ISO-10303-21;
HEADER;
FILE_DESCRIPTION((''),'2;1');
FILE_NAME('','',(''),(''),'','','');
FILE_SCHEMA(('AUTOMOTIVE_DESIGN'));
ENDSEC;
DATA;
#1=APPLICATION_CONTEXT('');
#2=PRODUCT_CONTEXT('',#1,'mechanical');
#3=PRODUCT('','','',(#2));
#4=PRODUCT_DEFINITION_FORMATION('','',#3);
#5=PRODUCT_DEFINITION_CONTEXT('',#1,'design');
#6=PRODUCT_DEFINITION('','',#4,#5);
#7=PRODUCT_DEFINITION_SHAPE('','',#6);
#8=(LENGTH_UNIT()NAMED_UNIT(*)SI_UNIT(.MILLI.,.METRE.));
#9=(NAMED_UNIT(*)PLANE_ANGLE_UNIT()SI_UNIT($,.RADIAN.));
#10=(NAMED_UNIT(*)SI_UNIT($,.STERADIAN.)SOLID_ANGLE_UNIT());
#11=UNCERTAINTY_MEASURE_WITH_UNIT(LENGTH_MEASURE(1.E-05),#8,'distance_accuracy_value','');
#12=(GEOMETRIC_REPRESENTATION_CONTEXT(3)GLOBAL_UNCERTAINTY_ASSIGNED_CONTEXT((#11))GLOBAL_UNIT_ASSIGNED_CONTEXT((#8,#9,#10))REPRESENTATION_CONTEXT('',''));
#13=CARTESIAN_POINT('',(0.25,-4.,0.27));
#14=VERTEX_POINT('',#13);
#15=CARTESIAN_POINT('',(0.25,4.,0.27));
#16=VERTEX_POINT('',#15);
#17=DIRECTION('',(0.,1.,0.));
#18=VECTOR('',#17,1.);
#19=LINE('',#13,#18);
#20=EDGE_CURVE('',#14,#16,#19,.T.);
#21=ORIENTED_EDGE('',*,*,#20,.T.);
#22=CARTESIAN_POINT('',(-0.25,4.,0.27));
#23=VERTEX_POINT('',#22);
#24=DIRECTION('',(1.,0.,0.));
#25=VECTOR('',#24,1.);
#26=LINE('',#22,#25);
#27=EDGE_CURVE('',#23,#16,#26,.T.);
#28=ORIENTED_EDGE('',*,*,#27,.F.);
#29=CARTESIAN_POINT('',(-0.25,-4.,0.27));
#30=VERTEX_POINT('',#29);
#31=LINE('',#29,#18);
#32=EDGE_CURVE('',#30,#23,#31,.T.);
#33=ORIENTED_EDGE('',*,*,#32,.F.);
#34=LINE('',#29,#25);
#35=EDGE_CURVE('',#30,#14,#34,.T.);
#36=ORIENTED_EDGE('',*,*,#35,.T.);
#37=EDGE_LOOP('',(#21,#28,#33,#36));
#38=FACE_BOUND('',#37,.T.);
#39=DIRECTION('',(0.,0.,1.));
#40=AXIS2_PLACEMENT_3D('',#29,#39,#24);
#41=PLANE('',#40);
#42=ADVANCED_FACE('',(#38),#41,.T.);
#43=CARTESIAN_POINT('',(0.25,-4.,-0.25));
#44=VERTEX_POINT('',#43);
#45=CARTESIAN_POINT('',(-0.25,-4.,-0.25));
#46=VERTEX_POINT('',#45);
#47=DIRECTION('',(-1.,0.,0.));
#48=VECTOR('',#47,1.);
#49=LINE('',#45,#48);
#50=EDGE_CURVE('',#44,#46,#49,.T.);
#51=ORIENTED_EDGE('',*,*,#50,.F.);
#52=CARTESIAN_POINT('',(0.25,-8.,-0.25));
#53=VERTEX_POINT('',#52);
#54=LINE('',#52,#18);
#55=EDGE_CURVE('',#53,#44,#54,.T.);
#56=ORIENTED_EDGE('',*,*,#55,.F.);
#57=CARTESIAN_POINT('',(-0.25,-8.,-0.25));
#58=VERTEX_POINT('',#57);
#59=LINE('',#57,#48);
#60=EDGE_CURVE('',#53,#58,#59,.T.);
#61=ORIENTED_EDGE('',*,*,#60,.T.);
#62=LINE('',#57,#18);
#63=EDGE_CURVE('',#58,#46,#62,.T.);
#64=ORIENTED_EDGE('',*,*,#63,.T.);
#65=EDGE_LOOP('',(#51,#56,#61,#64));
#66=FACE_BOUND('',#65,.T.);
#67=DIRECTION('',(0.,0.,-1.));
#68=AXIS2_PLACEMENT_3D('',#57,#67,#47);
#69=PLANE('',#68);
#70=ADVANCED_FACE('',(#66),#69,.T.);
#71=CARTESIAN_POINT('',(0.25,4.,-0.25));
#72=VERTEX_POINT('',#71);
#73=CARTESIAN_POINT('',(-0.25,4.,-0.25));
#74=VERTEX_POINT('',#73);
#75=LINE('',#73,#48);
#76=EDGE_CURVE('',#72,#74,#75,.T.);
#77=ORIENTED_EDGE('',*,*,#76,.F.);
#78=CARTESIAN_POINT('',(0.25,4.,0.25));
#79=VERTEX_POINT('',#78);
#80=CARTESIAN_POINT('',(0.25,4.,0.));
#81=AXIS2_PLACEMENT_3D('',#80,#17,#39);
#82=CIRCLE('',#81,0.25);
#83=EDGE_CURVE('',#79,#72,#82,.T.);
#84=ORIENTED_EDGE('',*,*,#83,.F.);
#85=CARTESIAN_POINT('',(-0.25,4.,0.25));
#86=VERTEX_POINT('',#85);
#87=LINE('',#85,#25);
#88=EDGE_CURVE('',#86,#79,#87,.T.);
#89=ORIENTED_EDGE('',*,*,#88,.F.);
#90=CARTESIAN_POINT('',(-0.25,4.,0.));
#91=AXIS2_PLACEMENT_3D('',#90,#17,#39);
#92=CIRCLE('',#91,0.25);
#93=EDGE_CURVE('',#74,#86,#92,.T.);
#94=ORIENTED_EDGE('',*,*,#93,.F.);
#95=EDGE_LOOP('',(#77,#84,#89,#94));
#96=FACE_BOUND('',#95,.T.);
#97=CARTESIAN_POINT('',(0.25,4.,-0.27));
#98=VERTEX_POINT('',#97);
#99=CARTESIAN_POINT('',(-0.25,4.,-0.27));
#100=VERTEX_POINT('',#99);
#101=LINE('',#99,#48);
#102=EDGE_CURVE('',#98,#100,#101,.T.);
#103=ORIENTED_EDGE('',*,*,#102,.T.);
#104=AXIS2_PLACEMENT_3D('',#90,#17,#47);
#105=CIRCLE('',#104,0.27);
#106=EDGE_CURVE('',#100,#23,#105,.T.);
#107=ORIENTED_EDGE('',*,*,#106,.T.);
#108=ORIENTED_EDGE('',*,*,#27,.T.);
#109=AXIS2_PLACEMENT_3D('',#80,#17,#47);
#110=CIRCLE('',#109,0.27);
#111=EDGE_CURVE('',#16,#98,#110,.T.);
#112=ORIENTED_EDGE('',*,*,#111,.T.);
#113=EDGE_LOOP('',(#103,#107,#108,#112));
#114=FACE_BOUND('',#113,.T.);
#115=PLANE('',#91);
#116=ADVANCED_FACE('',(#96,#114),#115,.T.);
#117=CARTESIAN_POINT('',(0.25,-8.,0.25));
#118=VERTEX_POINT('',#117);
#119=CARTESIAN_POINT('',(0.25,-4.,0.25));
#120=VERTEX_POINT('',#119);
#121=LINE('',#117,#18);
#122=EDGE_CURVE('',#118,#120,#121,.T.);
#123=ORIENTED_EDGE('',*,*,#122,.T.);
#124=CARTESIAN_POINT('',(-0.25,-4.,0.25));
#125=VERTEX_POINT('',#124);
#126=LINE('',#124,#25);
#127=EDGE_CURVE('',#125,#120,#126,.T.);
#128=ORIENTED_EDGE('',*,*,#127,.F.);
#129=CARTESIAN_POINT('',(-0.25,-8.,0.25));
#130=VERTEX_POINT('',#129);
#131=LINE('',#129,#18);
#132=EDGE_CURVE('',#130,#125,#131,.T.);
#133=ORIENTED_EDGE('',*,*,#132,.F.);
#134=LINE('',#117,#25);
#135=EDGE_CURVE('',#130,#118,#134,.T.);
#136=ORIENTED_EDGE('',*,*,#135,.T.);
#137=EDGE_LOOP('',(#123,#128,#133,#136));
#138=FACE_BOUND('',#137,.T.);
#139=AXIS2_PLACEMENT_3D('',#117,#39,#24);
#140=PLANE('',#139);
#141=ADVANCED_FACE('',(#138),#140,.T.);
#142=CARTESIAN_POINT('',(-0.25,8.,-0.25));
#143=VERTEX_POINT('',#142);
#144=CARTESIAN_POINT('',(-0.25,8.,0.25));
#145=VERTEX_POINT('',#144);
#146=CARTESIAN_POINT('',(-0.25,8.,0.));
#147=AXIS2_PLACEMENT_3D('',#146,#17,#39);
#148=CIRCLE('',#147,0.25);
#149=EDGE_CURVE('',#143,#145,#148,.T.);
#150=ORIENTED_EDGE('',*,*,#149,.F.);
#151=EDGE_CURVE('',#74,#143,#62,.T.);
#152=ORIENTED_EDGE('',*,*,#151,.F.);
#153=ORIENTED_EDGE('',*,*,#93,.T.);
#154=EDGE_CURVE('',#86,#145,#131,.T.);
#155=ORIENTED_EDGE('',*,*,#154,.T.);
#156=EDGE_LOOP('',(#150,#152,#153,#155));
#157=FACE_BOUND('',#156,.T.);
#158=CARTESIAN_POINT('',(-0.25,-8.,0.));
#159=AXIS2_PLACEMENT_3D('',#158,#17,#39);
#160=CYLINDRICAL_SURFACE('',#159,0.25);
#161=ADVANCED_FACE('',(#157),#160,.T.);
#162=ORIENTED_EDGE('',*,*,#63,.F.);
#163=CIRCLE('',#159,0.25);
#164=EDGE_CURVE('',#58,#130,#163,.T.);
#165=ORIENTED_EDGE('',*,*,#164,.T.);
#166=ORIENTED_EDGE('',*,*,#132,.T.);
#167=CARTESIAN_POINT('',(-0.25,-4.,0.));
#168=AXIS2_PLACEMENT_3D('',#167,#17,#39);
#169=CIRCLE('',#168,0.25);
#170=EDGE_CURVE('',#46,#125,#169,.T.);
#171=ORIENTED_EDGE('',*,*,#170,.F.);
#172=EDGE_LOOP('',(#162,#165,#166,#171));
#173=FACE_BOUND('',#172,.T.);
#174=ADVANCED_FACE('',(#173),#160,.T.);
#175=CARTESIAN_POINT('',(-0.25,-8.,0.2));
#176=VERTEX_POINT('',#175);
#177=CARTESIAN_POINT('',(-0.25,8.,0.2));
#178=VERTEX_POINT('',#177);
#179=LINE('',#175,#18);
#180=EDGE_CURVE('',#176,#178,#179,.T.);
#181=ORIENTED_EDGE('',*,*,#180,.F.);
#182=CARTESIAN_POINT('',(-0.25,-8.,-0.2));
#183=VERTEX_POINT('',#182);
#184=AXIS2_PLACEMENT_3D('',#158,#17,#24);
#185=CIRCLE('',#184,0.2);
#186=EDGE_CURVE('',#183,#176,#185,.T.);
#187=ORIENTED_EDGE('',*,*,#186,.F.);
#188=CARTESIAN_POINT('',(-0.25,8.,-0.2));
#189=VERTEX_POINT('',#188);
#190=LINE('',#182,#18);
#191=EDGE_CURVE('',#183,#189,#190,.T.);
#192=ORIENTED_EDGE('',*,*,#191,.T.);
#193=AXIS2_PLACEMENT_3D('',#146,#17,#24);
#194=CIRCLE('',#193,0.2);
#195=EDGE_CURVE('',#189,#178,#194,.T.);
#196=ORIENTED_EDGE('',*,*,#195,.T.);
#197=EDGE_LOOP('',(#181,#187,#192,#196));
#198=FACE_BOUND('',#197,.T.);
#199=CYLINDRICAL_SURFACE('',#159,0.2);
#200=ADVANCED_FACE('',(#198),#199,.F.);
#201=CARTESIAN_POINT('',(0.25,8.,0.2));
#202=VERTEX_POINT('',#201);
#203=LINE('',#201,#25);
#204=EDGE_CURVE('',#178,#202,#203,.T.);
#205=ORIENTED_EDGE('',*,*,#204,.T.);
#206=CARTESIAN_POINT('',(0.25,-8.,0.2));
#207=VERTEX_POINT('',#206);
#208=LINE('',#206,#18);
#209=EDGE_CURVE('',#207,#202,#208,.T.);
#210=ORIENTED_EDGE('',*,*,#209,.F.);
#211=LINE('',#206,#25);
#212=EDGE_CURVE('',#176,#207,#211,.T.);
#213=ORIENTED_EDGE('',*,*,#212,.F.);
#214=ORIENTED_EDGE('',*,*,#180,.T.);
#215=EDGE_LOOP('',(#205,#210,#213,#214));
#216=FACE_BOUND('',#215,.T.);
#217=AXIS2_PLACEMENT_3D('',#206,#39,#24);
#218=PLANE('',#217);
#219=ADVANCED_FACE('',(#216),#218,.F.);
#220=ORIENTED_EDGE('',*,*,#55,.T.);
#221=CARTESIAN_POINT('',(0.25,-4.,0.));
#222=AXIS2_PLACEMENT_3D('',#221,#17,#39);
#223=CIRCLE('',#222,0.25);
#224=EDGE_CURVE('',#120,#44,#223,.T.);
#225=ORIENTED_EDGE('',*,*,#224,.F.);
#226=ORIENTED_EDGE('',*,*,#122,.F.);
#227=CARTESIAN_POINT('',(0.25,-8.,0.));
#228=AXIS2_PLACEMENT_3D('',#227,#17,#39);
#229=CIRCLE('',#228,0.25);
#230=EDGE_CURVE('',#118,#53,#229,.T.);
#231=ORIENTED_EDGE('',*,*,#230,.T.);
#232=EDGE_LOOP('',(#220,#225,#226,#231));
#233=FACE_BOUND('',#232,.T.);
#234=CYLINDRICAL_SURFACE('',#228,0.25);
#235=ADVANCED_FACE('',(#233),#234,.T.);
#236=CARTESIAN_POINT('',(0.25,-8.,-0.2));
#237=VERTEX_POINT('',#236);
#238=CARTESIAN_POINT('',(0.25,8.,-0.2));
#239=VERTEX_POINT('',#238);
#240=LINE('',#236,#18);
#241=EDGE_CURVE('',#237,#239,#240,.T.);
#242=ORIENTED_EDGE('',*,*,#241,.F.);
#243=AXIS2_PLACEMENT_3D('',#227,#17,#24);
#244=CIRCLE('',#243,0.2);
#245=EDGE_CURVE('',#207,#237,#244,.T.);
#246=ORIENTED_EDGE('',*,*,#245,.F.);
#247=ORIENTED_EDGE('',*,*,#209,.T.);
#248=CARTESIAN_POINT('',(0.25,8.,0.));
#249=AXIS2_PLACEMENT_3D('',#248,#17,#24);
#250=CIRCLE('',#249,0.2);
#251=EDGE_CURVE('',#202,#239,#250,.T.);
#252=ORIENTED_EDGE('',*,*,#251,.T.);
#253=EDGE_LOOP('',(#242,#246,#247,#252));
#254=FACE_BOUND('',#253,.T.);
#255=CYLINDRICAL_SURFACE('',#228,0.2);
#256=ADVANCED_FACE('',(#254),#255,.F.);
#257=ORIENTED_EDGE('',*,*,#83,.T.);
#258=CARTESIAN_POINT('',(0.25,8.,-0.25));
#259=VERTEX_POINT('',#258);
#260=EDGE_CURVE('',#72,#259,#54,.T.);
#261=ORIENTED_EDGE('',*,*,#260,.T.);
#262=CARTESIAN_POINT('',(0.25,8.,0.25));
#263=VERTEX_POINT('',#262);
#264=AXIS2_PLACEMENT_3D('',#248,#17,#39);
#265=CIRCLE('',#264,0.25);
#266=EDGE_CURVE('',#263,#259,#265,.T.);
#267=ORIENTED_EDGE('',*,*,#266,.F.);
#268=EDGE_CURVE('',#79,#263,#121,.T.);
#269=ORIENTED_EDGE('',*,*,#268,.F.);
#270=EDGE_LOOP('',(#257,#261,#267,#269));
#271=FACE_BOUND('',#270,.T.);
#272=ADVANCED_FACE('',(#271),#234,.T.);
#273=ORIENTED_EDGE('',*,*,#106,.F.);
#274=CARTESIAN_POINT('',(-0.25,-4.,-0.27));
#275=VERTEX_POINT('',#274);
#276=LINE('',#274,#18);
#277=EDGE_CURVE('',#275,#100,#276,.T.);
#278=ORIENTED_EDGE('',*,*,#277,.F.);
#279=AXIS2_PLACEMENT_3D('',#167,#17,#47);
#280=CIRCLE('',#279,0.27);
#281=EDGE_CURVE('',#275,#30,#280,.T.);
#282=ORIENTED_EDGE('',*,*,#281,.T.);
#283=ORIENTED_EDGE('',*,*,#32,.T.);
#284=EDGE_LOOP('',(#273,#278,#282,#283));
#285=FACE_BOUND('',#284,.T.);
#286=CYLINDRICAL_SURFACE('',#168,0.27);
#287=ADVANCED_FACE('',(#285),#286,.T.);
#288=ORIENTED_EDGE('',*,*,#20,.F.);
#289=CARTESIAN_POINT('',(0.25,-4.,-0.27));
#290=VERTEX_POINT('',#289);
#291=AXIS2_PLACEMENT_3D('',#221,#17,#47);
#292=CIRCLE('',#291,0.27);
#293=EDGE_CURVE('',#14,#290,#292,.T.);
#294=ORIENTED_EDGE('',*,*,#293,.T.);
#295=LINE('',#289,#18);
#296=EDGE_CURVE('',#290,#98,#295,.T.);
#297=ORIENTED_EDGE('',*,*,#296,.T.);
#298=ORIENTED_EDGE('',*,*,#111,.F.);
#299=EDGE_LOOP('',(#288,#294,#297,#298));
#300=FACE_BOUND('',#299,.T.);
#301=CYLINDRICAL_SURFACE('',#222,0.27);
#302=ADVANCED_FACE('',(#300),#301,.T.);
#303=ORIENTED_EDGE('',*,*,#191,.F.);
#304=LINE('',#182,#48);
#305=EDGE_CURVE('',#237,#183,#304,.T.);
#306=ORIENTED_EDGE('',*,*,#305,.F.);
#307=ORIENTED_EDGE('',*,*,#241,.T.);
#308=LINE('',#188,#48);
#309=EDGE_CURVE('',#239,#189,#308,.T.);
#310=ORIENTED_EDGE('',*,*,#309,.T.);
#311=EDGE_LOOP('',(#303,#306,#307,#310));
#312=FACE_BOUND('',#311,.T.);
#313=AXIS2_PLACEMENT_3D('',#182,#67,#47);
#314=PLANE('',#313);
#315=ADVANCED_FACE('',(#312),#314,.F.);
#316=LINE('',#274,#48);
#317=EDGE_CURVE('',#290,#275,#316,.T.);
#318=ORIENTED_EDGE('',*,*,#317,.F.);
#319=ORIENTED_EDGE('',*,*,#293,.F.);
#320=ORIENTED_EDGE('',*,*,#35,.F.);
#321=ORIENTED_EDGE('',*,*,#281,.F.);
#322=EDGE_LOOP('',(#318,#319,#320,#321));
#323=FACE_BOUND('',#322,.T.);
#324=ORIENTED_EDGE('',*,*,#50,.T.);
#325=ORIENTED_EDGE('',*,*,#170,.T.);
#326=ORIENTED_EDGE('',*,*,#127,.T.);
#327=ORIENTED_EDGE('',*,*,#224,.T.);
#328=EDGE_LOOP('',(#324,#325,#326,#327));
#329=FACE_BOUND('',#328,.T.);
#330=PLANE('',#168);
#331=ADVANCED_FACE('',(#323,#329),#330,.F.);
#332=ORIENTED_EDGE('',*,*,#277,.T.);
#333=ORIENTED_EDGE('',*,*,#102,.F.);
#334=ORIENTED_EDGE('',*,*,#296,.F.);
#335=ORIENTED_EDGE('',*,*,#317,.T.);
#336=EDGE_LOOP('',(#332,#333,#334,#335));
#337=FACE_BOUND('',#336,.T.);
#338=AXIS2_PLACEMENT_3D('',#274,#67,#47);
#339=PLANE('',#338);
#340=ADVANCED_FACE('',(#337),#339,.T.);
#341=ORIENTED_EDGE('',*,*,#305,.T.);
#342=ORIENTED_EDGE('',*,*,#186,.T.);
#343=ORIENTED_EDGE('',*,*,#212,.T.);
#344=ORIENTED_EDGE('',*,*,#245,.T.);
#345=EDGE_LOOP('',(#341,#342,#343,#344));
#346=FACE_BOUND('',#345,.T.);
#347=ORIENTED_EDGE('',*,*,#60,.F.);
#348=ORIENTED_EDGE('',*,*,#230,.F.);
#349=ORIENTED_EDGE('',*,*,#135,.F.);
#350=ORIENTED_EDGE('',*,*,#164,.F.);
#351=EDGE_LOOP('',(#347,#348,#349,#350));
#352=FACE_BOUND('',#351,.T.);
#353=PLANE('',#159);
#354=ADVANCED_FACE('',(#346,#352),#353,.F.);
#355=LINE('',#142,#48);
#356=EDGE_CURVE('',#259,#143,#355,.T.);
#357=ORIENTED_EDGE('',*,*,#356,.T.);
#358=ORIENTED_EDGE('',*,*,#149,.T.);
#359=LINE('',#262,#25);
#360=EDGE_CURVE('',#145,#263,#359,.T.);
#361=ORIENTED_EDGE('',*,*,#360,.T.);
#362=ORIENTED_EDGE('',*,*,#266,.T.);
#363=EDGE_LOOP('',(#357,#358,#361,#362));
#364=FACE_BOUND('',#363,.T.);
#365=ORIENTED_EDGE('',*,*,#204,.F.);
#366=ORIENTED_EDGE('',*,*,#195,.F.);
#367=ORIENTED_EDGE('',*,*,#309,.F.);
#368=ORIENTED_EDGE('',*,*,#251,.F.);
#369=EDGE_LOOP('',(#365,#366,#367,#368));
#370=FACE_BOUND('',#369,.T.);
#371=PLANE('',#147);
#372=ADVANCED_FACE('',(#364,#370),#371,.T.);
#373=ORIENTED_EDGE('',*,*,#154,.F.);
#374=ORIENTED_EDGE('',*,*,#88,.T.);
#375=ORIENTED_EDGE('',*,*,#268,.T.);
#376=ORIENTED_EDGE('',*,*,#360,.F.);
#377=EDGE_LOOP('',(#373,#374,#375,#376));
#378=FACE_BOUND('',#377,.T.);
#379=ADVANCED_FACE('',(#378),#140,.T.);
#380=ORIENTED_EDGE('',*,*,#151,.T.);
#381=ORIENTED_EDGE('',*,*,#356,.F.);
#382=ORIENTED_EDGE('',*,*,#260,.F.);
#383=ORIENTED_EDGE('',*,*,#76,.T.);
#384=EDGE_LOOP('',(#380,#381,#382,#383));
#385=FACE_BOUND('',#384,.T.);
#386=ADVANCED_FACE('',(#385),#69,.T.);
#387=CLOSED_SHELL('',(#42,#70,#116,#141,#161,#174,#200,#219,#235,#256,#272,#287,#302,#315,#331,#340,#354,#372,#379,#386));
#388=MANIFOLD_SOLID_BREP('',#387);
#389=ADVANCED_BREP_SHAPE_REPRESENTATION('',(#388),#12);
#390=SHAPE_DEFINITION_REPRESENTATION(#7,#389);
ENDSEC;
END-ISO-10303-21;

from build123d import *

# Parameters (mm, degrees)
EXTRUDE_THIN2_DEPTH      = 8
EXTRUDE_THIN2_DEPTH_BACK = 8
EXTRUDE_THIN4_DEPTH      = 4
EXTRUDE_THIN4_DEPTH_BACK = 4


with BuildPart() as part:
    # Sketch1 → Extrude-Thin2 (new body, two sides)
    with BuildSketch(Plane(origin=(0, 0, 0), x_dir=(1, 0, 0), z_dir=(0, 1, 0))) as extrude_thin2_sk:
        with BuildLine():
            Line((0.25, -0.25), (-0.25, -0.25))
            ThreePointArc((-0.25, -0.25), (-0.5, 0), (-0.25, 0.25))
            Line((-0.25, 0.25), (0.25, 0.25))
            ThreePointArc((0.25, 0.25), (0.5, 0), (0.25, -0.25))
        make_face()
        with BuildLine():
            Line((0.25, -0.2), (-0.25, -0.2))
            ThreePointArc((-0.25, -0.2), (-0.45, 0), (-0.25, 0.2))
            Line((-0.25, 0.2), (0.25, 0.2))
            ThreePointArc((0.25, 0.2), (0.45, 0), (0.25, -0.2))
        make_face(mode=Mode.SUBTRACT)
    extrude(amount=EXTRUDE_THIN2_DEPTH)
    extrude(extrude_thin2_sk.sketch, amount=-EXTRUDE_THIN2_DEPTH_BACK)

    # Sketch2 → Extrude-Thin4 (add, two sides)
    with BuildSketch(Plane(origin=(0, 0, 0), x_dir=(-1, 0, 0), z_dir=(0, 1, 0))) as extrude_thin4_sk:
        with BuildLine():
            Line((-0.25, -0.27), (0.25, -0.27))
            ThreePointArc((0.25, -0.27), (0.52, 0), (0.25, 0.27))
            Line((0.25, 0.27), (-0.25, 0.27))
            ThreePointArc((-0.25, 0.27), (-0.52, 0), (-0.25, -0.27))
        make_face()
        with BuildLine():
            Line((-0.25, -0.25), (0.25, -0.25))
            ThreePointArc((0.25, -0.25), (0.5, 0), (0.25, 0.25))
            Line((0.25, 0.25), (-0.25, 0.25))
            ThreePointArc((-0.25, 0.25), (-0.5, 0), (-0.25, -0.25))
        make_face(mode=Mode.SUBTRACT)
    extrude(amount=EXTRUDE_THIN4_DEPTH)
    extrude(extrude_thin4_sk.sketch, amount=-EXTRUDE_THIN4_DEPTH_BACK)


solid = part.part
